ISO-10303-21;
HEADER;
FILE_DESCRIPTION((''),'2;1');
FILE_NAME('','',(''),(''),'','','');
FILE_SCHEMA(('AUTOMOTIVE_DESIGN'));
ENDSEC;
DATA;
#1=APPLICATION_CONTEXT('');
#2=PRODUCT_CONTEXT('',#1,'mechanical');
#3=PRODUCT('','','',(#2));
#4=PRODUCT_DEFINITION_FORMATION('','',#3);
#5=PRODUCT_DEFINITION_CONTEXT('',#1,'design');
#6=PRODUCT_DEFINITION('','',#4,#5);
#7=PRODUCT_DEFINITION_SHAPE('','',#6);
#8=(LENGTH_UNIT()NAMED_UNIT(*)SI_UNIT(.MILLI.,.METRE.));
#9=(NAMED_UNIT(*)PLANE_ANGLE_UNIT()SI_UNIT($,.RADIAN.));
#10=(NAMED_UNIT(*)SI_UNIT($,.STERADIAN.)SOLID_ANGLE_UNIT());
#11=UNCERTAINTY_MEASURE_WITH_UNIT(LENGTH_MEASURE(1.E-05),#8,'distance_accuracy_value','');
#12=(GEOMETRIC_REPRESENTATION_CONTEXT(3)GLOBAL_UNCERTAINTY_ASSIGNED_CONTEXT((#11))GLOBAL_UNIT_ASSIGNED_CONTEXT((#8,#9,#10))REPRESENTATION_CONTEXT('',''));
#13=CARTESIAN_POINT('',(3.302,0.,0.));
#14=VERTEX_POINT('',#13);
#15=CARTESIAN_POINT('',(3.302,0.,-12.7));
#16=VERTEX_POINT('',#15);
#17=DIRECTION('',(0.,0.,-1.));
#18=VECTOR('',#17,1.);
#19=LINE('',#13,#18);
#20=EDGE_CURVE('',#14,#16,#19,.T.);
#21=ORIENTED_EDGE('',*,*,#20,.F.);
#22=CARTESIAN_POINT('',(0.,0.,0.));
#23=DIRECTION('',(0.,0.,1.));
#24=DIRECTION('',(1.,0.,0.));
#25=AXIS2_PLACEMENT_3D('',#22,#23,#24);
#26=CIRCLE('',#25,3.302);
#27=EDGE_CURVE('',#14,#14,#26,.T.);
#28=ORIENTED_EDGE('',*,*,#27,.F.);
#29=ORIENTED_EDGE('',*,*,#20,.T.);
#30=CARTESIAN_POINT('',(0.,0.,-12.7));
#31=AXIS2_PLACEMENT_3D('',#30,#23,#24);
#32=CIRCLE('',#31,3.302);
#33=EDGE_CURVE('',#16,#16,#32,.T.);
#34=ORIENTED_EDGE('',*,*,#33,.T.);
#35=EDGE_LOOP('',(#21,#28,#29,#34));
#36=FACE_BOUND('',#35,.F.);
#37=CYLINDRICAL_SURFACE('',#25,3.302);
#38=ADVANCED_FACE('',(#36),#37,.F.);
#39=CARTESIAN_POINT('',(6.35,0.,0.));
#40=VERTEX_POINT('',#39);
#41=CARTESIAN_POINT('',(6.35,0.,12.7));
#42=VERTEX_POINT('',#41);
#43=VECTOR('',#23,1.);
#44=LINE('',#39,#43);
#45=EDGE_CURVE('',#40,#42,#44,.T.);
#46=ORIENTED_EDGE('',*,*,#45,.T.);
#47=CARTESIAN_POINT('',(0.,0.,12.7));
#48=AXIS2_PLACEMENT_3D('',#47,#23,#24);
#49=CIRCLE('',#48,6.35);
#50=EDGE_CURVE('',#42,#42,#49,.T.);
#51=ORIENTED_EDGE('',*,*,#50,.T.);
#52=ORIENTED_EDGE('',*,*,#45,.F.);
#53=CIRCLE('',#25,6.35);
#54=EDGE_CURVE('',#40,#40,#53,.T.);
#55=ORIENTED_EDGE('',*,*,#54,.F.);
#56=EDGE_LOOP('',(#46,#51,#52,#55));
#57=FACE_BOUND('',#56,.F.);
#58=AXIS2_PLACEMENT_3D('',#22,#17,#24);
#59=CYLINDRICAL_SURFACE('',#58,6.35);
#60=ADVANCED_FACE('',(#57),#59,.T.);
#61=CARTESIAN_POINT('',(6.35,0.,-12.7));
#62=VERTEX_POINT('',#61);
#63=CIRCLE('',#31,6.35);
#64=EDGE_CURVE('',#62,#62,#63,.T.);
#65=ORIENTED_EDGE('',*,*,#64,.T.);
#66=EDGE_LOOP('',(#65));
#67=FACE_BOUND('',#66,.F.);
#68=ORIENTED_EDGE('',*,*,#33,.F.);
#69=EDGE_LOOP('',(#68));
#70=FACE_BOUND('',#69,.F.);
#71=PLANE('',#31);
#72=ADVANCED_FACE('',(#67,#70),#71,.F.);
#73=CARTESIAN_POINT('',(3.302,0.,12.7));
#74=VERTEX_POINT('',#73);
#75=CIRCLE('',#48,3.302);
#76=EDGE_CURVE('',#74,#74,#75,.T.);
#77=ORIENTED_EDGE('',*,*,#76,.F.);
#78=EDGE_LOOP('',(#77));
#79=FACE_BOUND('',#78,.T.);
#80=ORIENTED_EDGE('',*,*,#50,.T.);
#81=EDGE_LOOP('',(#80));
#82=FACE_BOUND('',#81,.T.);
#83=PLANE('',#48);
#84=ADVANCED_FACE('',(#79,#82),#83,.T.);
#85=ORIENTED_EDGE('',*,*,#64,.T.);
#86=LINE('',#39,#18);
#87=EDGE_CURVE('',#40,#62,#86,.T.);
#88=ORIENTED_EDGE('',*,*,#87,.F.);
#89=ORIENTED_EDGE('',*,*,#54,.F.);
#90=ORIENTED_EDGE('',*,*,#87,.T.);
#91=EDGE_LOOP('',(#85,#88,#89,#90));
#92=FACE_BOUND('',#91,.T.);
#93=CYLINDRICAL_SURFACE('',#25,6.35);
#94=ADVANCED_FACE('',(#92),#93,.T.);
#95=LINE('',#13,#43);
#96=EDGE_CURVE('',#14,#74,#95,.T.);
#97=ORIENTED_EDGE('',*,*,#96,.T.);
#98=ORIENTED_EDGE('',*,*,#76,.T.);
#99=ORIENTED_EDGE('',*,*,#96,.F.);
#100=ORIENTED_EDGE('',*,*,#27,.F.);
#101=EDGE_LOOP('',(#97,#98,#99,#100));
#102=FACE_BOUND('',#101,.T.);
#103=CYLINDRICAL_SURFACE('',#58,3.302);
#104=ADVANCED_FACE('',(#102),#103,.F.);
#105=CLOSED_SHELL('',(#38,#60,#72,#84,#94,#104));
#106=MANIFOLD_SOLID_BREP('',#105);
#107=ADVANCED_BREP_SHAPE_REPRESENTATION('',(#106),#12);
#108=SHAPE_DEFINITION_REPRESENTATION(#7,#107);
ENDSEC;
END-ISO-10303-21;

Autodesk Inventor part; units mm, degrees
ref_plane "YZ Plane" through (0, 0, 0) normal (1, 0, 0) x (0, 1, 0)
ref_plane "XZ Plane" through (0, 0, 0) normal (0, 1, 0) x (-1, 0, 0)
ref_plane "XY Plane" through (0, 0, 0) normal (0, 0, 1) x (1, 0, 0)
sketch "Sketch1" plane through (0, 0, 0) normal (0, 0, 1) x (1, 0, 0)
  circle A0 centre (0, 0) radius 3.302
  circle A1 centre (0, 0) radius 6.35
  dimension "d0" = 6.604
  dimension "d1" = 12.7
extrude "Extrusion1" add sketch "Sketch1" along normal mid plane 25.4
properties part number "Nylon spacer 1 x 14-20" material "Nylon 6/6"
